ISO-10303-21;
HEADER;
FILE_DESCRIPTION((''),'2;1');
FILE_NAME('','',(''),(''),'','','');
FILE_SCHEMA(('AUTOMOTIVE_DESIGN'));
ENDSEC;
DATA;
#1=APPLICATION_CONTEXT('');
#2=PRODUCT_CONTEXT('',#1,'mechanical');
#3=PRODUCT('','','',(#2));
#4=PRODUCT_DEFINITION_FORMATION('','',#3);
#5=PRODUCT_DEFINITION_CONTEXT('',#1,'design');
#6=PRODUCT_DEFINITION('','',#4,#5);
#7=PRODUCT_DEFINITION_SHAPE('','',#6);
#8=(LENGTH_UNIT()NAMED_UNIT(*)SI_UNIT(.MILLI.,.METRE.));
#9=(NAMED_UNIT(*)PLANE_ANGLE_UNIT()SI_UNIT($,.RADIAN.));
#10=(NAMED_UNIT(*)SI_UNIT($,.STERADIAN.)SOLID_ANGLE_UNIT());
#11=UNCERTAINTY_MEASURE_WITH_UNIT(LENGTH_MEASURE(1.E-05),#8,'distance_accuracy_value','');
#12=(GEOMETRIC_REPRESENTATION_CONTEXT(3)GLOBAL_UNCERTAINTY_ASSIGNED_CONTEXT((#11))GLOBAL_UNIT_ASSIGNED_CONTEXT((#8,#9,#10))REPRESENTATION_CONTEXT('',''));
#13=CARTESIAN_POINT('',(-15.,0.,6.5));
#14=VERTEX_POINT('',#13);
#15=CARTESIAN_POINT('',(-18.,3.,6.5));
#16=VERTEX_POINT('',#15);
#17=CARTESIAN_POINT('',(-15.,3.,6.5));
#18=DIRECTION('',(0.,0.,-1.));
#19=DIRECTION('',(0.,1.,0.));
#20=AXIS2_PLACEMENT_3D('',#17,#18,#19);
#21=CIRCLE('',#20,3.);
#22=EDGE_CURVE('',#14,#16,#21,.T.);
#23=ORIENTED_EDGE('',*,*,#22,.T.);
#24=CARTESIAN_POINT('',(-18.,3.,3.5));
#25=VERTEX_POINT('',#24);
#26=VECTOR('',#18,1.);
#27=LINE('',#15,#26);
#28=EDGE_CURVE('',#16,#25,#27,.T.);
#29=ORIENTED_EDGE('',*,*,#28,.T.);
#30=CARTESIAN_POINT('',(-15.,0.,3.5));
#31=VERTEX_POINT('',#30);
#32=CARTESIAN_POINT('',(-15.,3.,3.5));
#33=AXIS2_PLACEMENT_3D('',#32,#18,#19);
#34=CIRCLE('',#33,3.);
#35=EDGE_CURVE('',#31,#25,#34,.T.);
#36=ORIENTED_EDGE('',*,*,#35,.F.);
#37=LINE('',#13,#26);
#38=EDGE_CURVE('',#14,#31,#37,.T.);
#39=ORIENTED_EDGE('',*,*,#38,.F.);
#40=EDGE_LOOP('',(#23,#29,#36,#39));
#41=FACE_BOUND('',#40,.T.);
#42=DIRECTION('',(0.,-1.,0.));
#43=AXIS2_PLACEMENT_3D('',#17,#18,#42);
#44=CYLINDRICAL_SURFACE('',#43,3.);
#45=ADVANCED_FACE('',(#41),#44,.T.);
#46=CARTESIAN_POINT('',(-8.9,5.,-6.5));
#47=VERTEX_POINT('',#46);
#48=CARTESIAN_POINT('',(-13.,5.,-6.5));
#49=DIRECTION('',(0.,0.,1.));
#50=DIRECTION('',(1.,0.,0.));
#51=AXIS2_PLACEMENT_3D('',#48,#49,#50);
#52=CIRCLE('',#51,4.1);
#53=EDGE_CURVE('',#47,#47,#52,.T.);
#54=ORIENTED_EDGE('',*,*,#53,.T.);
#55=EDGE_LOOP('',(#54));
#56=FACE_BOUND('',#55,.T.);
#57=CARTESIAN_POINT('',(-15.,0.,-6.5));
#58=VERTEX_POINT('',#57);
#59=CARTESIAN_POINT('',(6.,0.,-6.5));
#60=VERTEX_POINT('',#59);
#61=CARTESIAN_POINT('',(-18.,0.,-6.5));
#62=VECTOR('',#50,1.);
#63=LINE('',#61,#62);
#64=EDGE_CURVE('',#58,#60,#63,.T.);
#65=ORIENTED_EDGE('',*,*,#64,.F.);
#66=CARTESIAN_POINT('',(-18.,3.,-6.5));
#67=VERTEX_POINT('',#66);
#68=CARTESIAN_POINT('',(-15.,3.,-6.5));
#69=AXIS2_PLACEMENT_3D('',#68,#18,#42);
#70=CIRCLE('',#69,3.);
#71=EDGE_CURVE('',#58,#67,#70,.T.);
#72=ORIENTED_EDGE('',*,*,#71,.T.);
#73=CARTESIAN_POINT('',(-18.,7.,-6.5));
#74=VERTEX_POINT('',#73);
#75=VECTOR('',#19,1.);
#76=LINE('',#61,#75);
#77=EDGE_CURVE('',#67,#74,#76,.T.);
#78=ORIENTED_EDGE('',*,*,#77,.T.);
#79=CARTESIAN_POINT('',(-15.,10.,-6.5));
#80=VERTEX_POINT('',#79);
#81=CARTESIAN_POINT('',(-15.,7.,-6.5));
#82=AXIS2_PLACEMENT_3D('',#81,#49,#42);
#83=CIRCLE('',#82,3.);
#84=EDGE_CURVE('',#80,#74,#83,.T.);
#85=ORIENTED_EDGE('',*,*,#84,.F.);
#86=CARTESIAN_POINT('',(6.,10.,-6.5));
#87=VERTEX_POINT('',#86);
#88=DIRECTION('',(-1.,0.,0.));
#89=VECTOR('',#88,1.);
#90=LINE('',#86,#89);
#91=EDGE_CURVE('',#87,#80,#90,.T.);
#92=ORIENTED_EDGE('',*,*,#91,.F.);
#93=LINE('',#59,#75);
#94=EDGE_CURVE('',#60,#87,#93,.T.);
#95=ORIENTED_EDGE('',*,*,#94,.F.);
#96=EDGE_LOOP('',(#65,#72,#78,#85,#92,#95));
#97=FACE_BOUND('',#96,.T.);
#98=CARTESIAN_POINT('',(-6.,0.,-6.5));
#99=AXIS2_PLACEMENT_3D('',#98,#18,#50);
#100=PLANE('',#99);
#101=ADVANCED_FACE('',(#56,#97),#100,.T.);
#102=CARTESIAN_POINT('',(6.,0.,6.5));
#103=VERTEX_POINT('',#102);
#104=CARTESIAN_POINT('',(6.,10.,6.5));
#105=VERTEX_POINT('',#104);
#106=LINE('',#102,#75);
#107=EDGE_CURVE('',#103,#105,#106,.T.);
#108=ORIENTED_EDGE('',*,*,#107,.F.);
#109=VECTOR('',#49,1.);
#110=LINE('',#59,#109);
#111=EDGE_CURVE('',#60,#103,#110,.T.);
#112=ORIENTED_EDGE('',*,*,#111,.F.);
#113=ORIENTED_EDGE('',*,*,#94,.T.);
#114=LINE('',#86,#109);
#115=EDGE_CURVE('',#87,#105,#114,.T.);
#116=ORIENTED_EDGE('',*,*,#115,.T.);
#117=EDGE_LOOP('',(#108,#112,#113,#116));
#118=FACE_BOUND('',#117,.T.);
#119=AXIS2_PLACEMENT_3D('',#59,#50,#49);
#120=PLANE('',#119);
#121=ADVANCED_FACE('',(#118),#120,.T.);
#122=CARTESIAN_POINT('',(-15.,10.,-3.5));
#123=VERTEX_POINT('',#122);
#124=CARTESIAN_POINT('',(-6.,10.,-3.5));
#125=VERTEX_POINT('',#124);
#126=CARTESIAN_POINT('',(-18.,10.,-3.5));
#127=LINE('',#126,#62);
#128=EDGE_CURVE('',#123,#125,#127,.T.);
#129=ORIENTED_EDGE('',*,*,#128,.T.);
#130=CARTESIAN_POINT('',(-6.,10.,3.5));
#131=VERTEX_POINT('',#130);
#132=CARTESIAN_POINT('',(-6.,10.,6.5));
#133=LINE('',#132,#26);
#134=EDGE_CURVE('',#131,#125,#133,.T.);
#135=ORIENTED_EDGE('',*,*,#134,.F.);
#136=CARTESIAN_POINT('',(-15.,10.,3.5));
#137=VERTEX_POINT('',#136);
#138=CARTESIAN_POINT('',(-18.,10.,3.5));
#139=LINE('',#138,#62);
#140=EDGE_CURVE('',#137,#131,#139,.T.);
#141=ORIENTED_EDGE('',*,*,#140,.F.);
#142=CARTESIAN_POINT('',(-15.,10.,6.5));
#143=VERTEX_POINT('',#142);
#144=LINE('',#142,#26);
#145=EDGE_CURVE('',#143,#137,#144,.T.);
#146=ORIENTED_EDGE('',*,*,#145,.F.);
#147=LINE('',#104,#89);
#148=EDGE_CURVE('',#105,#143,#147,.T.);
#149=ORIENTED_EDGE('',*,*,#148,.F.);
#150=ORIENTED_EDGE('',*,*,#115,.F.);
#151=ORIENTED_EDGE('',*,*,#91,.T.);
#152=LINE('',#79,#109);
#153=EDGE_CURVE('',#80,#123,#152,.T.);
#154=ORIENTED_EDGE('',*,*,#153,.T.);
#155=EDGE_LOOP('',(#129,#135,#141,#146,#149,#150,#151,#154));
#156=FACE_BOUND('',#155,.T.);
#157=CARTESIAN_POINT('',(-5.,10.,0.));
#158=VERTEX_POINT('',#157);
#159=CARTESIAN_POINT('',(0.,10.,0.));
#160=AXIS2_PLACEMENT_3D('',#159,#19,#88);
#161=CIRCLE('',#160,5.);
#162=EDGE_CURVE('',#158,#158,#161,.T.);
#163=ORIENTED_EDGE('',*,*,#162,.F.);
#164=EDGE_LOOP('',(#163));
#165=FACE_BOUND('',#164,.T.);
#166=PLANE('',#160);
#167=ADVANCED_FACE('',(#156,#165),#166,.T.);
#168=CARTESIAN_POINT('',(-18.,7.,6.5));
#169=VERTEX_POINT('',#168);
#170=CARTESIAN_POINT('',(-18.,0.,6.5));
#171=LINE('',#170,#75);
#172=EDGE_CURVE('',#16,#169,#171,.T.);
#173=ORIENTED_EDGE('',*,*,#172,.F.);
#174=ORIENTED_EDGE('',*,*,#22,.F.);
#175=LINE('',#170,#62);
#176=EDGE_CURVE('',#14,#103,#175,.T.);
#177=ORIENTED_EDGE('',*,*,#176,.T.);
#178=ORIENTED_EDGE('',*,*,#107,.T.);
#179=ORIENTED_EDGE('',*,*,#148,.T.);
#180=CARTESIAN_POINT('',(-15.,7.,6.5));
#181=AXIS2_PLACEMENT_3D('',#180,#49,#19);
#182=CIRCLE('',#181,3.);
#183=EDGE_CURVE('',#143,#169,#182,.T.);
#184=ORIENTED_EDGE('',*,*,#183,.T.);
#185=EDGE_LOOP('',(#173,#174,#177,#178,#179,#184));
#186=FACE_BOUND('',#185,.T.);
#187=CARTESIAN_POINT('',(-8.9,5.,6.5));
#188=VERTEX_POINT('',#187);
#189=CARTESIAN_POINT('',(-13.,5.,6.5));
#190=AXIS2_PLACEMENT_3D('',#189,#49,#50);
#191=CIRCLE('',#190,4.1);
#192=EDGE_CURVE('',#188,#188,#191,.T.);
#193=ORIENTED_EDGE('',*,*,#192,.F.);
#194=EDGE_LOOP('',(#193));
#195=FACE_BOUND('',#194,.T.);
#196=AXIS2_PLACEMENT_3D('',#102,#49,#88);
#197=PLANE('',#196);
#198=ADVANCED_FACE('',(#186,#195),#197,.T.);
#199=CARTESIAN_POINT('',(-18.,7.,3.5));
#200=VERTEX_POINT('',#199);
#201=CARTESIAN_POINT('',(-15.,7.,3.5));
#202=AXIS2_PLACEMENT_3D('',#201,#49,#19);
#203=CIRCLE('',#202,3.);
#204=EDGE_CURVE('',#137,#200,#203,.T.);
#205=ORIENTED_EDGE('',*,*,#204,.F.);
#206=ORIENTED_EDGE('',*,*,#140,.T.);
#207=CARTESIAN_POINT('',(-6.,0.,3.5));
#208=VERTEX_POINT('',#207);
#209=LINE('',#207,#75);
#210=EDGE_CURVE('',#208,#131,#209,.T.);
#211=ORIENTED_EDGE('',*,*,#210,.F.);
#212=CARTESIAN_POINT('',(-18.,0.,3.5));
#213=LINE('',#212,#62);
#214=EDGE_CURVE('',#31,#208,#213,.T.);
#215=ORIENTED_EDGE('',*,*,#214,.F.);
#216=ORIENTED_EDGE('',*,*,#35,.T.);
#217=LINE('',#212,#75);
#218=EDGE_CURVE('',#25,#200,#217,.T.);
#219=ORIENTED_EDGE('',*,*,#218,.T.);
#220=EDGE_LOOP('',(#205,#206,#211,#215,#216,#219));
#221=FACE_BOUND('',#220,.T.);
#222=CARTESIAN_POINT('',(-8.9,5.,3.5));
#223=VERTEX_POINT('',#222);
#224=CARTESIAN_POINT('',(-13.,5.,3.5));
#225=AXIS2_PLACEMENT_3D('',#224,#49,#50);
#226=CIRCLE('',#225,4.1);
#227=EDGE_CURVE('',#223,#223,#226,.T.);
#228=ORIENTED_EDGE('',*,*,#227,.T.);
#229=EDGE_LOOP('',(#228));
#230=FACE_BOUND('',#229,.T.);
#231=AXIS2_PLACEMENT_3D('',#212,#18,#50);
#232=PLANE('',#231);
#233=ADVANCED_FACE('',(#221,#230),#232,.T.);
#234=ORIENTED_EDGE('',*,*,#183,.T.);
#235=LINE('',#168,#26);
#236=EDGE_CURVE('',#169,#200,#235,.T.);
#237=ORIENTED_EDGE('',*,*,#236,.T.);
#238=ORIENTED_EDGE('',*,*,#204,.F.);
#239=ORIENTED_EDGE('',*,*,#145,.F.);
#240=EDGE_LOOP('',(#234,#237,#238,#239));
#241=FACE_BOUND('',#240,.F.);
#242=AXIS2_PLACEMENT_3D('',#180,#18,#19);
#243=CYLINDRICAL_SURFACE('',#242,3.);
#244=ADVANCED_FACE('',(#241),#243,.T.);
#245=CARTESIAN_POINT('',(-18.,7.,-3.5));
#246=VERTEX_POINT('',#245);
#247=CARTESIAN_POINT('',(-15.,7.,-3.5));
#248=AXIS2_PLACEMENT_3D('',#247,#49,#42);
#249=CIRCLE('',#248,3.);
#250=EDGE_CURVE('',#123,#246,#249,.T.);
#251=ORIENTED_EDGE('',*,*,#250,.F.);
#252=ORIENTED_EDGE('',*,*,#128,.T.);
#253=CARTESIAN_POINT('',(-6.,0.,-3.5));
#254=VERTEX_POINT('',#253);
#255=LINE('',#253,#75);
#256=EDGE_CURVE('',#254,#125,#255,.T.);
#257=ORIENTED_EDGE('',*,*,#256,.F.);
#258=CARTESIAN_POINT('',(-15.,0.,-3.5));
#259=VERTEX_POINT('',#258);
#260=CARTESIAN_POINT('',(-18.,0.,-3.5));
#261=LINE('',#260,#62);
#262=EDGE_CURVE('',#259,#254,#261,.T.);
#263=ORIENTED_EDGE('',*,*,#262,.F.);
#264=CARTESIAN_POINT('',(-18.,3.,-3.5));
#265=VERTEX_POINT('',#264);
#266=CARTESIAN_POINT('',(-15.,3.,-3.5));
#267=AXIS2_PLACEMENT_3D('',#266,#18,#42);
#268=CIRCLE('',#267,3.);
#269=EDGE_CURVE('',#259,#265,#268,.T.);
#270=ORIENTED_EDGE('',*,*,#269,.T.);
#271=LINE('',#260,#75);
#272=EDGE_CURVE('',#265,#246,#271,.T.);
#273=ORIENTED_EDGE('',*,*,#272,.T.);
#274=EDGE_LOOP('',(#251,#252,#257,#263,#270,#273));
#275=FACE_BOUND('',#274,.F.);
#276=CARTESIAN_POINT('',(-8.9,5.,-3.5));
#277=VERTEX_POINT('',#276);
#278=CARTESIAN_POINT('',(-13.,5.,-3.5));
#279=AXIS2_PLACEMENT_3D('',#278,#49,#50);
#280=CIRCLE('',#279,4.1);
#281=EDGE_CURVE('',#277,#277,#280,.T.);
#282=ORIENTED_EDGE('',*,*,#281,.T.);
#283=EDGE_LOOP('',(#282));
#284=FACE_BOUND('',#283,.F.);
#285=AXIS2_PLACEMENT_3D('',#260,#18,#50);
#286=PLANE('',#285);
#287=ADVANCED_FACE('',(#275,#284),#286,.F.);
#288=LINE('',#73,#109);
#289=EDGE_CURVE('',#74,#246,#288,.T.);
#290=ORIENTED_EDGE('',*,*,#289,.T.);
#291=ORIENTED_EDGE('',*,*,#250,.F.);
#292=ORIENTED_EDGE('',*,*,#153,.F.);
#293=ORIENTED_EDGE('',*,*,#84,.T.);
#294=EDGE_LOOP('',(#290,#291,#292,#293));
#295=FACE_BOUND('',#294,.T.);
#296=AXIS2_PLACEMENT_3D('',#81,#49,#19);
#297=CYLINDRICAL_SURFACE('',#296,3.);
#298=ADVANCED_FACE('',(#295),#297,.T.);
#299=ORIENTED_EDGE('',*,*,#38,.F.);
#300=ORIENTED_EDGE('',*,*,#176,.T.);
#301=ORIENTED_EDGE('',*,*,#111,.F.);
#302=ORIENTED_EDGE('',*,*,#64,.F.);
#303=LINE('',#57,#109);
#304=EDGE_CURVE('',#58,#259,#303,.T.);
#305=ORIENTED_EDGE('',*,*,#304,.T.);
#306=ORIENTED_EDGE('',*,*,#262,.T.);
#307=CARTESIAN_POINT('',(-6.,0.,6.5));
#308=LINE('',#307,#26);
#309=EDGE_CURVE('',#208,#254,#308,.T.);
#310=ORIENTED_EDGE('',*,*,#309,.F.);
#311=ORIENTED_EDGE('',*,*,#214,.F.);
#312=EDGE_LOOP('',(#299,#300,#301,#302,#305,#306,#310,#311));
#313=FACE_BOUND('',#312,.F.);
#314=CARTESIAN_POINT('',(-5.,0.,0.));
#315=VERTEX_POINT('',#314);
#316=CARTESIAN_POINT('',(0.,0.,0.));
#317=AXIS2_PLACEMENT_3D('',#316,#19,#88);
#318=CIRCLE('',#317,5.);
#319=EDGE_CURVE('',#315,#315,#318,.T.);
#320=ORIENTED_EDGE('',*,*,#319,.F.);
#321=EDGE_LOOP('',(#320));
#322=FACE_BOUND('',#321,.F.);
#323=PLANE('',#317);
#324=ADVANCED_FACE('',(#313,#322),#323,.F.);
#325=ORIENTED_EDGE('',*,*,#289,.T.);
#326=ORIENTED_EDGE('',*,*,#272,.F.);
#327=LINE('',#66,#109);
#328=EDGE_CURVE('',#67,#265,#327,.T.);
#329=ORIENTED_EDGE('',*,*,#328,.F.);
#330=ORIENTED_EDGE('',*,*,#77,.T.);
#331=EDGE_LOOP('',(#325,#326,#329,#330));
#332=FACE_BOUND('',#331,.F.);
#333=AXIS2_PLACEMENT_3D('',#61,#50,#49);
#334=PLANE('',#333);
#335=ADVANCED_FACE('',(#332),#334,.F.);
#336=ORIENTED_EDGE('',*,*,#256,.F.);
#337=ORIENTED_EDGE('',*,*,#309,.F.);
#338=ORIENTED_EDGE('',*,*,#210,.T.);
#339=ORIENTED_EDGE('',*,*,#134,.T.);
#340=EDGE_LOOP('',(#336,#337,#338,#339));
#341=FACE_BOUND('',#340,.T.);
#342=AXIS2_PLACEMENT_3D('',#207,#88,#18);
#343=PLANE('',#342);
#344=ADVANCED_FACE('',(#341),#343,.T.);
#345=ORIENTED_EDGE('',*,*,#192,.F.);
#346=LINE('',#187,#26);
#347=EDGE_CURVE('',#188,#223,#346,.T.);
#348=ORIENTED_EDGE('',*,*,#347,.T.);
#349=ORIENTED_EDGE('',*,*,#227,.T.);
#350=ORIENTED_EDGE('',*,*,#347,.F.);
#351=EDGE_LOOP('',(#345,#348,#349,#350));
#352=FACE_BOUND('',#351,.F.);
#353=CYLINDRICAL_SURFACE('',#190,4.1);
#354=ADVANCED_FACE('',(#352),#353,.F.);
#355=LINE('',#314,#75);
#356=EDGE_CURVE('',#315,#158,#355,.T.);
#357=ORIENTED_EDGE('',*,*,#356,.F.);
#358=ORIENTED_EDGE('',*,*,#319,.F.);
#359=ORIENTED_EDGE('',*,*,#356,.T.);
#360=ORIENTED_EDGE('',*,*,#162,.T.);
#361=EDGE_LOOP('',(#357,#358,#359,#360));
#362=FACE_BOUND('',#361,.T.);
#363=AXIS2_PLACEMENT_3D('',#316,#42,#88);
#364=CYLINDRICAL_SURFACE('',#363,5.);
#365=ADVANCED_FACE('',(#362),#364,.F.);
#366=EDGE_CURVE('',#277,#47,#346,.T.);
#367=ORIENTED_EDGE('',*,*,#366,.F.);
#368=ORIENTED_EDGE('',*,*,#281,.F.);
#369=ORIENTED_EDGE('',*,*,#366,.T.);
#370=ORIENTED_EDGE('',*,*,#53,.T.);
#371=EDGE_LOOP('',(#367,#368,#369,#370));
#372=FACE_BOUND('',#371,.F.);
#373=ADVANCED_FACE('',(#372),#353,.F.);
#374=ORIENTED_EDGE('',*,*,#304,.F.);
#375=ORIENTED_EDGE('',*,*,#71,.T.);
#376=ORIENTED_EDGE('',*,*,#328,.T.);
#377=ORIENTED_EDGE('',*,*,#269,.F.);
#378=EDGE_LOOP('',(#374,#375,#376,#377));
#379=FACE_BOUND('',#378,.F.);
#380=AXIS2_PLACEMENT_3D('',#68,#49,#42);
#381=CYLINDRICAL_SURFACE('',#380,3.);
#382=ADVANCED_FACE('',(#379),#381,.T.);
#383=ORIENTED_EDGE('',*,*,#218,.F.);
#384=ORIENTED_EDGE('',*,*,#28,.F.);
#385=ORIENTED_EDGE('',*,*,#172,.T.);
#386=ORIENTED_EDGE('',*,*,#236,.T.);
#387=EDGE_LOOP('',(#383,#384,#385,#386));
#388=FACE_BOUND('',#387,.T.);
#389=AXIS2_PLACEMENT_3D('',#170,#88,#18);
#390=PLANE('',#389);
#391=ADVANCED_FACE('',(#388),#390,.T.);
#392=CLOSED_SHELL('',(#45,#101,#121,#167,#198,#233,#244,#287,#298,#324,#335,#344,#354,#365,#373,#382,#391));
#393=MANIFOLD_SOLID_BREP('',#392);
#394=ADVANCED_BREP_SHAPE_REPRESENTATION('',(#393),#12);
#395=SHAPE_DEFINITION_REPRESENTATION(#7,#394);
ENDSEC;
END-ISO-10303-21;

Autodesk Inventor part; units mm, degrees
ref_plane "YZ Plane" through (0, 0, 0) normal (1, 0, 0) x (0, 1, 0)
ref_plane "XZ Plane" through (0, 0, 0) normal (0, 1, 0) x (-1, 0, 0)
ref_plane "XY Plane" through (0, 0, 0) normal (0, 0, 1) x (1, 0, 0)
sketch "Szkic1" plane through (0, 0, 0) normal (0, 1, 0) x (-1, 0, 0)
  circle A0 centre (0, 0) radius 5
  line L0 (-6, 6.5) -> (6, 6.5)
  line L1 (6, 6.5) -> (6, -6.5)
  line L2 (6, -6.5) -> (-6, -6.5)
  line L3 (-6, -6.5) -> (-6, 6.5)
  line L4 (-6, 6.5) -> (6, -6.5) construction
  line L5 (6, 6.5) -> (-6, -6.5) construction
  line L6 (6, 6.5) -> (18, 6.5)
  line L7 (18, 6.5) -> (18, 3.5)
  line L8 (18, 3.5) -> (6, 3.5)
  line L9 (6, 3.5) -> (6, 6.5)
  line L10 (6, -6.5) -> (18, -6.5)
  line L11 (18, -6.5) -> (18, -3.5)
  line L12 (18, -3.5) -> (6, -3.5)
  line L13 (6, -3.5) -> (6, -6.5)
  dimension "d0" = 10
  dimension "d1" = 12
  dimension "d2" = 13
  dimension "d8" = 12
  dimension "d9" = 3
  dimension "d10" = 3
extrude "Wyciągnięcie proste1" add sketch "Szkic1" along normal blind 10
thread "Gwint1" size "M10x1.5" class "6H" standard "ANSI Metric M Profile" full length
sketch "Szkic2" plane through (-18, 0, 6.5) normal (0, 0, 1) x (1, 0, 0)
  line L0 (0, 0) -> (0, 10) projected
  line L1 (12, 0) -> (12, 10) projected
  circle A0 centre (5, 5) radius 4.1
  line L2 (0, 0) -> (24, 0) projected
  point P0 (18, 0)
  dimension "d11" = 8.2
  dimension "d16" = 7
  dimension "d17" = 5
extrude "Wyciągnięcie proste2" cut sketch "Szkic2" against normal blind 16.75
fillet "Zaokrąglenie2" radius 3 4 edges at (-18, 10, -5) (-18, 0, -5) (-18, 0, 5) (-18, 10, 5)
properties part number "konik"
